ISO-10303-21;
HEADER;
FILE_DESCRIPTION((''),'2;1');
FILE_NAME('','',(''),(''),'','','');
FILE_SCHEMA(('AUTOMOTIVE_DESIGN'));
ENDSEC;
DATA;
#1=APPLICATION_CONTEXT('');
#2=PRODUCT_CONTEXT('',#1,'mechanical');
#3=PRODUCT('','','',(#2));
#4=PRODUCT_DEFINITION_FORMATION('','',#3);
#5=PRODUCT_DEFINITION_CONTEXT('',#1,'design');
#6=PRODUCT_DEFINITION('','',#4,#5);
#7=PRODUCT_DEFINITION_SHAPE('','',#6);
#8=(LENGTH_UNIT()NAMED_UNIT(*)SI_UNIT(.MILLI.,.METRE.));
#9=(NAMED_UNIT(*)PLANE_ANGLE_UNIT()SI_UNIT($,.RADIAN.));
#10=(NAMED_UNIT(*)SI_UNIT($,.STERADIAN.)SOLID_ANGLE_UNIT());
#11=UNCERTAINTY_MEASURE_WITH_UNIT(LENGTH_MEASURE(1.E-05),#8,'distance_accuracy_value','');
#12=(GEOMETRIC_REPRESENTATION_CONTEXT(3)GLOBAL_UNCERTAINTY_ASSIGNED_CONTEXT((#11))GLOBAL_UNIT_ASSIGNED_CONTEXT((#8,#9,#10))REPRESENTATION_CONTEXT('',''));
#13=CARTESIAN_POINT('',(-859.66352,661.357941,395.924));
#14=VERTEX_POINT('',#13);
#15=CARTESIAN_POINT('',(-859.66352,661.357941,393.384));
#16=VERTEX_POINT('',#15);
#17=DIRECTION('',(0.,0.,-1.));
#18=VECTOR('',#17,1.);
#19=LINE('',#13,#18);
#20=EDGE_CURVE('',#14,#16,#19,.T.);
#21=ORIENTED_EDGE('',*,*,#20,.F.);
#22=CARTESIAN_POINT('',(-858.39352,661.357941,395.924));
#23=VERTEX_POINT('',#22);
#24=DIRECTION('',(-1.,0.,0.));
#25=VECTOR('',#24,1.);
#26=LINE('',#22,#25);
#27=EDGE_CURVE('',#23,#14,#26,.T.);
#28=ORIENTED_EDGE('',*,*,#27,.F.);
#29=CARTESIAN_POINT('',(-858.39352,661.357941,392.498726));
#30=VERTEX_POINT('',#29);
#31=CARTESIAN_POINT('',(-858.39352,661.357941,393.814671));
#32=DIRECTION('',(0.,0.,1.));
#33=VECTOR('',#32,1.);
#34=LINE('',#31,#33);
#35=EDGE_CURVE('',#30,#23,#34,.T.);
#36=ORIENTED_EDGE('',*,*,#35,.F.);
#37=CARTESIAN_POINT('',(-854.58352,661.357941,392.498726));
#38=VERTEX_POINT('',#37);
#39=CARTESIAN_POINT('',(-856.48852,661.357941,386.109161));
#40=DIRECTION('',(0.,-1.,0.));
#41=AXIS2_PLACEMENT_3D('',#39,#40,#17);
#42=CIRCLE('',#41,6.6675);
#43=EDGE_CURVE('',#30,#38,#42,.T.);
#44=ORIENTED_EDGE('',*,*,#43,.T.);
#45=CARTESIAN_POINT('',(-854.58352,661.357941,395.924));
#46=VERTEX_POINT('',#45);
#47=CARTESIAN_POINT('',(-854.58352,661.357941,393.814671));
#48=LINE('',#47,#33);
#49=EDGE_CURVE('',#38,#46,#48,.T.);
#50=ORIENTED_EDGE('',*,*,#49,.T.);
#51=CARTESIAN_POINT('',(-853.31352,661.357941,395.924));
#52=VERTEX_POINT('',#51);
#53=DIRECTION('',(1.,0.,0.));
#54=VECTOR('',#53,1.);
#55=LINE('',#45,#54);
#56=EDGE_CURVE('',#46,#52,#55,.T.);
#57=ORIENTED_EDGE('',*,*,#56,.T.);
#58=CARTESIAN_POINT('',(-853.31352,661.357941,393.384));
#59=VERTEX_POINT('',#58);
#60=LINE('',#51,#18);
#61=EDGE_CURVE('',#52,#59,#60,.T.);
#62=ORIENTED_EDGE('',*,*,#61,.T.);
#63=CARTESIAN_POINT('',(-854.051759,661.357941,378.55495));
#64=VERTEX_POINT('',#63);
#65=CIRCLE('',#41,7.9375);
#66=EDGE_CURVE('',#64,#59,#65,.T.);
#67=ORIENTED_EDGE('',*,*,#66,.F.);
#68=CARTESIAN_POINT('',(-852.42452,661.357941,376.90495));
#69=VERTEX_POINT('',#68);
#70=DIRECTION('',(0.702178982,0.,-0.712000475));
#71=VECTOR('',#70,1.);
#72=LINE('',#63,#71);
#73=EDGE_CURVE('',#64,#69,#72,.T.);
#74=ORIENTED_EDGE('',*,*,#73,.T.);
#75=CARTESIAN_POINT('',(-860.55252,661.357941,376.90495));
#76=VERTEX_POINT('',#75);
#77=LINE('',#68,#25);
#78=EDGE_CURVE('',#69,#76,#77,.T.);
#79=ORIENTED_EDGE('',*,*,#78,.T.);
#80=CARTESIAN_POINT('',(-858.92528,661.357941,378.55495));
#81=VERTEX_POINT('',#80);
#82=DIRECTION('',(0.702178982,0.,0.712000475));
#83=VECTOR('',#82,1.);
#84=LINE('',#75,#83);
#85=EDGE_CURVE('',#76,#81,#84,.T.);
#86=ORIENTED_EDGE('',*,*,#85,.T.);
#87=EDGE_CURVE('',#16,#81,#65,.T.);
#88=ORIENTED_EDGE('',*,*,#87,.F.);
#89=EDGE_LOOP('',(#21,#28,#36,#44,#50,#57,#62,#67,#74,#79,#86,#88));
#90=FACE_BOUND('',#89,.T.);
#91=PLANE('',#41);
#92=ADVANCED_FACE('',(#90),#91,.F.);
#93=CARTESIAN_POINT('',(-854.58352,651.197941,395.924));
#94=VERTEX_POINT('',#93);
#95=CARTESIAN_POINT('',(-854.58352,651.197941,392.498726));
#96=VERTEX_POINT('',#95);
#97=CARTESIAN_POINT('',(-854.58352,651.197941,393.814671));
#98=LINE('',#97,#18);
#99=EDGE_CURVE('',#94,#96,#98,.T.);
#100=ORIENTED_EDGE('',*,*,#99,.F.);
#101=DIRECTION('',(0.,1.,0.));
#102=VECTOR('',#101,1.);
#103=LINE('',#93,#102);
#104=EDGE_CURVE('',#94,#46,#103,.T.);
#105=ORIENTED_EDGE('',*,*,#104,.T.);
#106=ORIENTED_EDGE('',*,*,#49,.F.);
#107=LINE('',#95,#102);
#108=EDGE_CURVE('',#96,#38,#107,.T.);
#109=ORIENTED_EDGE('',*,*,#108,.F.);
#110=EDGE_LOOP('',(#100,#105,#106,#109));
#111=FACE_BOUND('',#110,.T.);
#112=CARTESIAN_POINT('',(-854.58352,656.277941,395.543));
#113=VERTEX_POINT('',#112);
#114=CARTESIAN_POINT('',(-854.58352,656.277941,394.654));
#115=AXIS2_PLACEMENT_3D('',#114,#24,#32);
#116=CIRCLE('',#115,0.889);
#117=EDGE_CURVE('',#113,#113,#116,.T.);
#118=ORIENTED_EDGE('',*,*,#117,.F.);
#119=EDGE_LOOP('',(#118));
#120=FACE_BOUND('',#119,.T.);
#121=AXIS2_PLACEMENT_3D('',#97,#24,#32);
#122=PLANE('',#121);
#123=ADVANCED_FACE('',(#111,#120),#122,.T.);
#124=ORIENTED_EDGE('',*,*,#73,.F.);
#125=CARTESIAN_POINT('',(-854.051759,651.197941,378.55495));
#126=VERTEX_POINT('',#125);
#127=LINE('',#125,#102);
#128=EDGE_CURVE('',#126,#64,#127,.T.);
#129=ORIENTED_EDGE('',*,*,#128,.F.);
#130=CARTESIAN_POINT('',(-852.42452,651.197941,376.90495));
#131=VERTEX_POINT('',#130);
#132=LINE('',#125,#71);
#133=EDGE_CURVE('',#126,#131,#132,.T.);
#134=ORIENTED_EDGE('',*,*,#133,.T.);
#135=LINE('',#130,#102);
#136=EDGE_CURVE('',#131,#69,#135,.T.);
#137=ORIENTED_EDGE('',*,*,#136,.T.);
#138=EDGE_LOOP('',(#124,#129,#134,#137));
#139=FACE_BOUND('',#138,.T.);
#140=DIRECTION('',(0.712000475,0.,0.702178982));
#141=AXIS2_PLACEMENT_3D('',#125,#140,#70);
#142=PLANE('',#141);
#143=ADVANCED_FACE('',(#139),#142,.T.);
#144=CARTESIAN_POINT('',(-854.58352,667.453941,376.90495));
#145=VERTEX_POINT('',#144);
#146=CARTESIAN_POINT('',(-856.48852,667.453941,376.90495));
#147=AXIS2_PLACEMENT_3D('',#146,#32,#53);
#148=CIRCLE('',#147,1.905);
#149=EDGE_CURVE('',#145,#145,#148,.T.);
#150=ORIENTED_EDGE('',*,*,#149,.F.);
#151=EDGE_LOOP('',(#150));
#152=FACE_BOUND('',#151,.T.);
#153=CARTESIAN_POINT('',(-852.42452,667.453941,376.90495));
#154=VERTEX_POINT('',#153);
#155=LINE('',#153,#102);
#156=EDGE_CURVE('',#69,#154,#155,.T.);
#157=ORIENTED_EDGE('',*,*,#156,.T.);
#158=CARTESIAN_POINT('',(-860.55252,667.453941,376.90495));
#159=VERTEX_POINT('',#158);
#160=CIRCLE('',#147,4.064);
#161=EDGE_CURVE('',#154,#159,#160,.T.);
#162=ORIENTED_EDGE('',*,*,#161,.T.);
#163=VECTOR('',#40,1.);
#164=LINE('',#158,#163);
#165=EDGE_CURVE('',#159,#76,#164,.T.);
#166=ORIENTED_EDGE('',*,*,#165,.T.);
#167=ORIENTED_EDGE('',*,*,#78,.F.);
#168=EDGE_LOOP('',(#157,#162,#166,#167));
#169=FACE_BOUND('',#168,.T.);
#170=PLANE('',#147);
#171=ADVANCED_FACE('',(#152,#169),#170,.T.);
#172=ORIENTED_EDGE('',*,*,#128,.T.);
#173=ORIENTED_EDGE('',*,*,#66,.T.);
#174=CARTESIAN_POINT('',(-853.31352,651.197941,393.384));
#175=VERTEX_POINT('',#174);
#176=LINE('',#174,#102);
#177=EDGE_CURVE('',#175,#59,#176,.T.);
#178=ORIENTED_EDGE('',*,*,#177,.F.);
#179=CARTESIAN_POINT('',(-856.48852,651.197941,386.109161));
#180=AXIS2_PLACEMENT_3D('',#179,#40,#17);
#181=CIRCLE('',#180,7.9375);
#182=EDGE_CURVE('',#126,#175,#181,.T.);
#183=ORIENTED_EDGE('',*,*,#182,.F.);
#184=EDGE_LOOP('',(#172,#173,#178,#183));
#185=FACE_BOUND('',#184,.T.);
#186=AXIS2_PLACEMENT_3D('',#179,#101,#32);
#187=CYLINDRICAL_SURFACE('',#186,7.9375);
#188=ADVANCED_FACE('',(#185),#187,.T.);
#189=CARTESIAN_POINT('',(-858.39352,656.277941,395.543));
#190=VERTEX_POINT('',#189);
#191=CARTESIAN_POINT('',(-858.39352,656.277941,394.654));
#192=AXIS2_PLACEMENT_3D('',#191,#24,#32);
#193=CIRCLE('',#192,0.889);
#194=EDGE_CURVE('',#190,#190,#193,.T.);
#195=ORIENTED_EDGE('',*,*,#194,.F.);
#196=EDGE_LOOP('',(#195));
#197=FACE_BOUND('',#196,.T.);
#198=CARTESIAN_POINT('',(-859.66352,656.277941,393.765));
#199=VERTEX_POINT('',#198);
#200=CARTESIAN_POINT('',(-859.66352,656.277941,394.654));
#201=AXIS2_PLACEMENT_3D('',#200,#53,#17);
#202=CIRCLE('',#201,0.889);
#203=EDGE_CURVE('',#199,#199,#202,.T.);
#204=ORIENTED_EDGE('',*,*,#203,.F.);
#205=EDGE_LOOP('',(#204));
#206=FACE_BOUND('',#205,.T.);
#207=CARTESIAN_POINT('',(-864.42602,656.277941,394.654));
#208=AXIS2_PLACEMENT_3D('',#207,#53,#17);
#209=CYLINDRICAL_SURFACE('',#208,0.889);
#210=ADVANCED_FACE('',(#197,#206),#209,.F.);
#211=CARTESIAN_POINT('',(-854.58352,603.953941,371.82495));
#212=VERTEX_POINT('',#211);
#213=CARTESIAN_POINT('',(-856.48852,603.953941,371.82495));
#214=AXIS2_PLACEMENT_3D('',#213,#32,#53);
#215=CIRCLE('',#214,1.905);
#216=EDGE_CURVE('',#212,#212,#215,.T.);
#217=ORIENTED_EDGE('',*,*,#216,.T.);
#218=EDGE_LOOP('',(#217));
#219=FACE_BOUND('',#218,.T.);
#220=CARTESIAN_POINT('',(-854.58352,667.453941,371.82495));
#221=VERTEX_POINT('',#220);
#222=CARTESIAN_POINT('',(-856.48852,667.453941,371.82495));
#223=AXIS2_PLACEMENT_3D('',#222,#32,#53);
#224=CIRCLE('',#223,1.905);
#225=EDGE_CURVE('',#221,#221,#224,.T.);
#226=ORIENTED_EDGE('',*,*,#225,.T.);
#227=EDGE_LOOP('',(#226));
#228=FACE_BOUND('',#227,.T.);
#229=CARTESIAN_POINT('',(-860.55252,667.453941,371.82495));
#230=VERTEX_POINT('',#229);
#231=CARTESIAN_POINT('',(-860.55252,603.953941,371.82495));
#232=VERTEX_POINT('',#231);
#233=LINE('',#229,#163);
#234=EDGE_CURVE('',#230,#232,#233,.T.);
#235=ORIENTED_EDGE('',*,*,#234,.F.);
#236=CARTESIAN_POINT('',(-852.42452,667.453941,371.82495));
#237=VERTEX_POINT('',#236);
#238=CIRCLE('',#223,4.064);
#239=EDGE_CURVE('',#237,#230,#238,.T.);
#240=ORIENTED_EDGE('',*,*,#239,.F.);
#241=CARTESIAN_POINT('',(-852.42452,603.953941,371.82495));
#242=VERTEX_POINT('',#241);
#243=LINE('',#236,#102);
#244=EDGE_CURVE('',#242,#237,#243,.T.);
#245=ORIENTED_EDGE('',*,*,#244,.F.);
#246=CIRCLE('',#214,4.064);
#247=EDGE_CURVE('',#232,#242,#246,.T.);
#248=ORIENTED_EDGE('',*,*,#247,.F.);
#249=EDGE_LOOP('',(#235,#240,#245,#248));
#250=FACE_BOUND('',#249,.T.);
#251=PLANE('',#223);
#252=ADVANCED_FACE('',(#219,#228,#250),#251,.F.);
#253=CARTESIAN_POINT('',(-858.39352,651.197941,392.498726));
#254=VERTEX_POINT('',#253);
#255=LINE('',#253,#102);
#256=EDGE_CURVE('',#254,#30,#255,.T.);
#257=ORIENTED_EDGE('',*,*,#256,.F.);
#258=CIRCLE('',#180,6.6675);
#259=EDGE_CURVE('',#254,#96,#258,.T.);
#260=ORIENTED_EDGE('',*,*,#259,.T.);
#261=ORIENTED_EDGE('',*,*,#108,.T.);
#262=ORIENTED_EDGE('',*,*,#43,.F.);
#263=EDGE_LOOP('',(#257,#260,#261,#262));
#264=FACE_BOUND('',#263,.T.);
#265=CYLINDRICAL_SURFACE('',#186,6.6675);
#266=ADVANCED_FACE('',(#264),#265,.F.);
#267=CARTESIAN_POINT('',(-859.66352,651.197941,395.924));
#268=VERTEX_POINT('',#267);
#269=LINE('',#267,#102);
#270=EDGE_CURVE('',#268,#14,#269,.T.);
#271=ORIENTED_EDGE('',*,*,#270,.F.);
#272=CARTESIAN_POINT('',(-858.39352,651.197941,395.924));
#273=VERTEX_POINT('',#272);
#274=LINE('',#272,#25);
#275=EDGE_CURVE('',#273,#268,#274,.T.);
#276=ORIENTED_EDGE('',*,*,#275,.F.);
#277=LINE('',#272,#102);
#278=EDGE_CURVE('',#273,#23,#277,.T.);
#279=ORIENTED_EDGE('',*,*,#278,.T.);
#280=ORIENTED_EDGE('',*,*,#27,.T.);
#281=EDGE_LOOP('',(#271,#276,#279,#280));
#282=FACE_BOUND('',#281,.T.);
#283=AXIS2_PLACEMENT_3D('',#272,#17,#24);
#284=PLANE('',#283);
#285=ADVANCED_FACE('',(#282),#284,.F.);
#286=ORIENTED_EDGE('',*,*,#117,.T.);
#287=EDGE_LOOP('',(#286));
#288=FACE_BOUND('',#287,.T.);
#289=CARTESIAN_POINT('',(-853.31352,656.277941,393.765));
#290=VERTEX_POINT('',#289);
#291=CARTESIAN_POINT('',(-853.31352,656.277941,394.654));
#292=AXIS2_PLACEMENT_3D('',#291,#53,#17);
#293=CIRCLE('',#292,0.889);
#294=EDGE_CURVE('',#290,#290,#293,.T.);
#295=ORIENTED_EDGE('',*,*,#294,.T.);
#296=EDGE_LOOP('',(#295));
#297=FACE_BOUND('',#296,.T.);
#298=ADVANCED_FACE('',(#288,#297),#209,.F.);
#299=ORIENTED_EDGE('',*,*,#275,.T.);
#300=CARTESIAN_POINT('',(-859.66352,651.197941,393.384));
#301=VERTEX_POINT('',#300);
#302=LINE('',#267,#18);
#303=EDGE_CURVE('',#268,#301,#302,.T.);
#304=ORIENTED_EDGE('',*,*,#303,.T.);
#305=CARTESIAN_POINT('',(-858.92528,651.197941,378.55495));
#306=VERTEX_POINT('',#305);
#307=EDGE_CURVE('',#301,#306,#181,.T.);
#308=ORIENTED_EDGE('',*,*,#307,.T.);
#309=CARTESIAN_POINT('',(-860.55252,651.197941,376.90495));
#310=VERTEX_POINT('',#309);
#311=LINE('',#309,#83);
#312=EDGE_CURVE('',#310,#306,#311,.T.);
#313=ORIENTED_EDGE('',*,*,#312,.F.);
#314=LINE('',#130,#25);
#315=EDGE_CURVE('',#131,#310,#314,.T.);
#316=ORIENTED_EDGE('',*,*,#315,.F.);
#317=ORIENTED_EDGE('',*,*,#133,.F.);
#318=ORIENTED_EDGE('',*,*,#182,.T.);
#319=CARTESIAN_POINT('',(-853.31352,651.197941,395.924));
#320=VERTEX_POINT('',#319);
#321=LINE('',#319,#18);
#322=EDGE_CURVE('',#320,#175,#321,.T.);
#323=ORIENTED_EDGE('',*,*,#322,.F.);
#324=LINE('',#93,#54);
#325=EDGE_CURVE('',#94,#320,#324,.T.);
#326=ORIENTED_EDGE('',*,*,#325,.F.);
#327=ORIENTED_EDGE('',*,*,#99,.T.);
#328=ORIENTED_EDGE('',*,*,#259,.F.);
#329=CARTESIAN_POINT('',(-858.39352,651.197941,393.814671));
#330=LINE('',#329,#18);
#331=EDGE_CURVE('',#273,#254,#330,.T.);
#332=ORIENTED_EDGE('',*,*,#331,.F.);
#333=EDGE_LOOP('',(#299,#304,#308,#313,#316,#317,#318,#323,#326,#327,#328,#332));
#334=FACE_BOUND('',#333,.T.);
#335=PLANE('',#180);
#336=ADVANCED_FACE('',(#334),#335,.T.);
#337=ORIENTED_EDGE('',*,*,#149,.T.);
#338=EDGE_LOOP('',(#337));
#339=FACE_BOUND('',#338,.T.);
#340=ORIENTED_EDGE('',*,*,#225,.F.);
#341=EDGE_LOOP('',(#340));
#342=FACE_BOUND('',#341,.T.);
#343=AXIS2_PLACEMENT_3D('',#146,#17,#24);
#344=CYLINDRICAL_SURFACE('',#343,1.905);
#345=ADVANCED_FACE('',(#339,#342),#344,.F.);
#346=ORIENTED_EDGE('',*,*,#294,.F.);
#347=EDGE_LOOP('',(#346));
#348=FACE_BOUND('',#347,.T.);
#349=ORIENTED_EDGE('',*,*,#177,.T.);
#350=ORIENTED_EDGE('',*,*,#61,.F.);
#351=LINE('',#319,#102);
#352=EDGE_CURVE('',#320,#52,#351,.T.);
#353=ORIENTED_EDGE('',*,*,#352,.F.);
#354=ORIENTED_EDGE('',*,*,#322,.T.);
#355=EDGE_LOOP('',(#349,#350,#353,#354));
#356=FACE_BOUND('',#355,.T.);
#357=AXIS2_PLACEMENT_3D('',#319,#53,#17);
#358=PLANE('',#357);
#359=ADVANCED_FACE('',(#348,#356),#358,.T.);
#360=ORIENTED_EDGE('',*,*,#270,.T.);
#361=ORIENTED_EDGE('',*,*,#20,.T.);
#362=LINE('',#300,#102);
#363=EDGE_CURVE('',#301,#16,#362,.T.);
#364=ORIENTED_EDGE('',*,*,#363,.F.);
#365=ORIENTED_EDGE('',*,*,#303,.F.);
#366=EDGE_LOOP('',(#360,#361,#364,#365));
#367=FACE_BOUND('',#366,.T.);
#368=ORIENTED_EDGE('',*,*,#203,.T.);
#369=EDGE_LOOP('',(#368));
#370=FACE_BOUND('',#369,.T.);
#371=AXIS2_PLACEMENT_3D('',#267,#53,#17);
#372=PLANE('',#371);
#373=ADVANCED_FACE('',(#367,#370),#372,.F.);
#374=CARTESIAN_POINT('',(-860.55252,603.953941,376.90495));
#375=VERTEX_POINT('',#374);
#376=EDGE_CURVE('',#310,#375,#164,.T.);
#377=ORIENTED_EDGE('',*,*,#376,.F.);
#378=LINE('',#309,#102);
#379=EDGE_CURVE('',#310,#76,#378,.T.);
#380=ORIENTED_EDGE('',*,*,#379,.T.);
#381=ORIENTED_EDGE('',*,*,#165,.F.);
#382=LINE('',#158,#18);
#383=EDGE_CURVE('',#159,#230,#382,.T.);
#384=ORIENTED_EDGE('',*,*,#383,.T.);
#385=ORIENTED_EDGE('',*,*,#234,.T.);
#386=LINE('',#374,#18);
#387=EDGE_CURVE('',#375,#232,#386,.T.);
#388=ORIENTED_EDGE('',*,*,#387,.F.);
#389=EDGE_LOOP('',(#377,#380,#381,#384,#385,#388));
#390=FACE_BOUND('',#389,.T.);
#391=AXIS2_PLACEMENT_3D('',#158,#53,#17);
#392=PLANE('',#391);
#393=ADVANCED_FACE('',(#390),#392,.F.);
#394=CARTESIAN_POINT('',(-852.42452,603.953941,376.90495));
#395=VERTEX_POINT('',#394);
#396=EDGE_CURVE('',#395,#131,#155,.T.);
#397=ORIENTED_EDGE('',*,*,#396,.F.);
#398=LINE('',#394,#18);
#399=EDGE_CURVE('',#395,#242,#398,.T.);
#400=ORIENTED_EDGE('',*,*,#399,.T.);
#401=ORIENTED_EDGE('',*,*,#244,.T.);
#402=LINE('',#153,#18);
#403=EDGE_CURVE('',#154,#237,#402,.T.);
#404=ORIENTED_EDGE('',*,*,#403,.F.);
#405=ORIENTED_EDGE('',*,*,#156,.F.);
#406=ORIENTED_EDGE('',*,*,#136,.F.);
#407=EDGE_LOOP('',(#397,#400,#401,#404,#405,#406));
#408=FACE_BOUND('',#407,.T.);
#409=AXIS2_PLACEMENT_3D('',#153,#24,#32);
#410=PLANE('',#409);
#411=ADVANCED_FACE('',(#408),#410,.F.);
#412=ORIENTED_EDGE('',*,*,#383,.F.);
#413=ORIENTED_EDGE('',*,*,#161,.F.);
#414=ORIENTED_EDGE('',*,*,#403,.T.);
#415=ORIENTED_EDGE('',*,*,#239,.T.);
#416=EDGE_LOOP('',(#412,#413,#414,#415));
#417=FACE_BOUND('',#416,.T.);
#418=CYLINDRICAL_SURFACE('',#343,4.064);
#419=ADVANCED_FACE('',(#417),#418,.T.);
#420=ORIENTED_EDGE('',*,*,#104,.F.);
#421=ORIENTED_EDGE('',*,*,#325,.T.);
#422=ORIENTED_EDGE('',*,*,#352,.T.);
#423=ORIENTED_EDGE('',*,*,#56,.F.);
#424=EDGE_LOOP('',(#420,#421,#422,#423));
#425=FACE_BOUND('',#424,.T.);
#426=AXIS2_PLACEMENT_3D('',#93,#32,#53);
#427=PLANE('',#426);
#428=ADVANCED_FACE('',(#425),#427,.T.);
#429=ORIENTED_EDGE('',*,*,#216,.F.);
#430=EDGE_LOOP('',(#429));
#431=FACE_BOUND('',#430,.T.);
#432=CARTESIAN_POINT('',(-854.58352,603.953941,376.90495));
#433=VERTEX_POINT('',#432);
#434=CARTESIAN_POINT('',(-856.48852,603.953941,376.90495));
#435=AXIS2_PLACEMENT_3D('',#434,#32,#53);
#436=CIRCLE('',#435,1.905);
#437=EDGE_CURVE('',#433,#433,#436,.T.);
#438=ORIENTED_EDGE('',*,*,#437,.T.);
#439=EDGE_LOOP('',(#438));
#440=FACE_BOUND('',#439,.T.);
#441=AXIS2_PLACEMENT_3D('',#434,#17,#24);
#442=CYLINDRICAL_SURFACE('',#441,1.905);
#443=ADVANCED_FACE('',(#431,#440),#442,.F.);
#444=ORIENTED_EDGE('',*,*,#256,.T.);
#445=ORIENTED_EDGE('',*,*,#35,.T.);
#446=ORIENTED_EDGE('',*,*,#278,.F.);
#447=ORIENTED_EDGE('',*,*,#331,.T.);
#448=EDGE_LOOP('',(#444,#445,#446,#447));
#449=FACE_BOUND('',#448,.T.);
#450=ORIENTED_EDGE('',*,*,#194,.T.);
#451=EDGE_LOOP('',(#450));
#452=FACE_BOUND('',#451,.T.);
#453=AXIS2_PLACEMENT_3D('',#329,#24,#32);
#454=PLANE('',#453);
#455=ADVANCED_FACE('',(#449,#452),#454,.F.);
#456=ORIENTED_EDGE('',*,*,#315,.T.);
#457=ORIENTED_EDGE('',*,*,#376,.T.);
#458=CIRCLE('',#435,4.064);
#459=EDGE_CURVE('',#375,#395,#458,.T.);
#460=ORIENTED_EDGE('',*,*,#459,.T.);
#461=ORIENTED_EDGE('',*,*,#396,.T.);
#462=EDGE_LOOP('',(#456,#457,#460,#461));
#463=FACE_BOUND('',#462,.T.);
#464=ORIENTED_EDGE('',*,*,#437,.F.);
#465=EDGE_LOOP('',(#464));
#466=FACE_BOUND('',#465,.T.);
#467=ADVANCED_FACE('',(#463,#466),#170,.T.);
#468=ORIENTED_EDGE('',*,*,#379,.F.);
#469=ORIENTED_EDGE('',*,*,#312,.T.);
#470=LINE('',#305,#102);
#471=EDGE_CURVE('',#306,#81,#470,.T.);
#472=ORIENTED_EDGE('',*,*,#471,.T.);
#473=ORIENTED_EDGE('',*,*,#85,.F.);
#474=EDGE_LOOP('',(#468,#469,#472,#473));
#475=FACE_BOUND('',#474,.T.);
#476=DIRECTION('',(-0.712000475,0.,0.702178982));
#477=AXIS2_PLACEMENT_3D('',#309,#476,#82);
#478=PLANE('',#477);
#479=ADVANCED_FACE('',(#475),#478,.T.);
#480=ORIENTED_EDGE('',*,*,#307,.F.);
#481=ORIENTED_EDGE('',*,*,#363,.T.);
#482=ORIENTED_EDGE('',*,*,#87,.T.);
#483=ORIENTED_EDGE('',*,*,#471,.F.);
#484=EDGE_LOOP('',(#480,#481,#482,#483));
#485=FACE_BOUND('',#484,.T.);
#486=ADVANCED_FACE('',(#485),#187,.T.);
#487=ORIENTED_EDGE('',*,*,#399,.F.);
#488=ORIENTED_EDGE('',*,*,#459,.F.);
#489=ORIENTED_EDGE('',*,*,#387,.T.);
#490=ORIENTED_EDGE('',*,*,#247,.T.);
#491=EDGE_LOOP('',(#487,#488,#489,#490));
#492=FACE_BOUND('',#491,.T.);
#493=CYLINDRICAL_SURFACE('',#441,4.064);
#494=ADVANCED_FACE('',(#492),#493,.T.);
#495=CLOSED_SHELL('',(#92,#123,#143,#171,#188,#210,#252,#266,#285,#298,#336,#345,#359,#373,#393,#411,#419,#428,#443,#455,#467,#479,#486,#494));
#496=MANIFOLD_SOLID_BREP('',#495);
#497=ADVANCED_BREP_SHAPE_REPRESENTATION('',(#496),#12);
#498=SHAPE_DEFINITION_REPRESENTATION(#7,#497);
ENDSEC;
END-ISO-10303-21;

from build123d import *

# Parameters (mm, degrees)
SKETCH1_R           = 1.905
BOSS_EXTRUDE1_DEPTH = 5.08
BOSS_EXTRUDE2_START = 10.16
BOSS_EXTRUDE2_DEPTH = 10.16
SKETCH3_R           = 0.889
CUT_EXTRUDE1_DEPTH  = 12.1125


with BuildPart() as part:
    # Sketch1 → Boss-Extrude1 (new body)
    with BuildSketch(Plane(origin=(-856.488519717, 635.703940982, 371.824950285), x_dir=(1, 0, 0), z_dir=(0, 0, 1))):
        with BuildLine():
            Line((4.064, 31.75), (4.064, -31.75))
            ThreePointArc((4.064, -31.75), (0, -35.814), (-4.064, -31.75))
            Line((-4.064, -31.75), (-4.064, 31.75))
            ThreePointArc((-4.064, 31.75), (0, 35.814), (4.064, 31.75))
        make_face()
        with Locations((0, -31.75)):
            Circle(SKETCH1_R, mode=Mode.SUBTRACT)
        with Locations((0, 31.75)):
            Circle(SKETCH1_R, mode=Mode.SUBTRACT)
    extrude(amount=BOSS_EXTRUDE1_DEPTH)

    # Sketch2 → Boss-Extrude2 (add)
    with BuildSketch(Plane.XZ.offset(-671.517940982).offset(BOSS_EXTRUDE2_START)):
        with BuildLine():
            Line((-854.05175925, 378.554950285), (-852.424519717, 376.904950285))
            Line((-852.424519717, 376.904950285), (-860.552519717, 376.904950285))
            Line((-860.552519717, 376.904950285), (-858.925280183, 378.554950285))
            ThreePointArc((-858.925280183, 378.554950285), (-864.416201891, 385.714494899), (-859.663519717, 393.384000256))
            Line((-859.663519717, 393.384000256), (-859.663519717, 395.924000256))
            Line((-859.663519717, 395.924000256), (-858.393519717, 395.924000256))
            Line((-858.393519717, 395.924000256), (-858.393519717, 393.814671139))
            Line((-858.393519717, 393.814671139), (-858.393519717, 392.498725586))
            ThreePointArc((-858.393519717, 392.498725586), (-856.488519717, 379.441661341), (-854.583519717, 392.498725586))
            Line((-854.583519717, 392.498725586), (-854.583519717, 393.814671139))
            Line((-854.583519717, 393.814671139), (-854.583519717, 395.924000256))
            Line((-854.583519717, 395.924000256), (-853.313519717, 395.924000256))
            Line((-853.313519717, 395.924000256), (-853.313519717, 393.384000256))
            ThreePointArc((-853.313519717, 393.384000256), (-848.560837543, 385.714494899), (-854.05175925, 378.554950285))
        make_face()
    extrude(amount=BOSS_EXTRUDE2_DEPTH)

    # Sketch3 → Cut-Extrude1 (cut, through all)
    with BuildSketch(Plane(origin=(-853.313519717, 0, 0), x_dir=(0, 0, -1), z_dir=(1, 0, 0))):
        with Locations((-394.654000256, 656.277940982)):
            Circle(SKETCH3_R)
    extrude(amount=-CUT_EXTRUDE1_DEPTH, mode=Mode.SUBTRACT)


solid = part.part
